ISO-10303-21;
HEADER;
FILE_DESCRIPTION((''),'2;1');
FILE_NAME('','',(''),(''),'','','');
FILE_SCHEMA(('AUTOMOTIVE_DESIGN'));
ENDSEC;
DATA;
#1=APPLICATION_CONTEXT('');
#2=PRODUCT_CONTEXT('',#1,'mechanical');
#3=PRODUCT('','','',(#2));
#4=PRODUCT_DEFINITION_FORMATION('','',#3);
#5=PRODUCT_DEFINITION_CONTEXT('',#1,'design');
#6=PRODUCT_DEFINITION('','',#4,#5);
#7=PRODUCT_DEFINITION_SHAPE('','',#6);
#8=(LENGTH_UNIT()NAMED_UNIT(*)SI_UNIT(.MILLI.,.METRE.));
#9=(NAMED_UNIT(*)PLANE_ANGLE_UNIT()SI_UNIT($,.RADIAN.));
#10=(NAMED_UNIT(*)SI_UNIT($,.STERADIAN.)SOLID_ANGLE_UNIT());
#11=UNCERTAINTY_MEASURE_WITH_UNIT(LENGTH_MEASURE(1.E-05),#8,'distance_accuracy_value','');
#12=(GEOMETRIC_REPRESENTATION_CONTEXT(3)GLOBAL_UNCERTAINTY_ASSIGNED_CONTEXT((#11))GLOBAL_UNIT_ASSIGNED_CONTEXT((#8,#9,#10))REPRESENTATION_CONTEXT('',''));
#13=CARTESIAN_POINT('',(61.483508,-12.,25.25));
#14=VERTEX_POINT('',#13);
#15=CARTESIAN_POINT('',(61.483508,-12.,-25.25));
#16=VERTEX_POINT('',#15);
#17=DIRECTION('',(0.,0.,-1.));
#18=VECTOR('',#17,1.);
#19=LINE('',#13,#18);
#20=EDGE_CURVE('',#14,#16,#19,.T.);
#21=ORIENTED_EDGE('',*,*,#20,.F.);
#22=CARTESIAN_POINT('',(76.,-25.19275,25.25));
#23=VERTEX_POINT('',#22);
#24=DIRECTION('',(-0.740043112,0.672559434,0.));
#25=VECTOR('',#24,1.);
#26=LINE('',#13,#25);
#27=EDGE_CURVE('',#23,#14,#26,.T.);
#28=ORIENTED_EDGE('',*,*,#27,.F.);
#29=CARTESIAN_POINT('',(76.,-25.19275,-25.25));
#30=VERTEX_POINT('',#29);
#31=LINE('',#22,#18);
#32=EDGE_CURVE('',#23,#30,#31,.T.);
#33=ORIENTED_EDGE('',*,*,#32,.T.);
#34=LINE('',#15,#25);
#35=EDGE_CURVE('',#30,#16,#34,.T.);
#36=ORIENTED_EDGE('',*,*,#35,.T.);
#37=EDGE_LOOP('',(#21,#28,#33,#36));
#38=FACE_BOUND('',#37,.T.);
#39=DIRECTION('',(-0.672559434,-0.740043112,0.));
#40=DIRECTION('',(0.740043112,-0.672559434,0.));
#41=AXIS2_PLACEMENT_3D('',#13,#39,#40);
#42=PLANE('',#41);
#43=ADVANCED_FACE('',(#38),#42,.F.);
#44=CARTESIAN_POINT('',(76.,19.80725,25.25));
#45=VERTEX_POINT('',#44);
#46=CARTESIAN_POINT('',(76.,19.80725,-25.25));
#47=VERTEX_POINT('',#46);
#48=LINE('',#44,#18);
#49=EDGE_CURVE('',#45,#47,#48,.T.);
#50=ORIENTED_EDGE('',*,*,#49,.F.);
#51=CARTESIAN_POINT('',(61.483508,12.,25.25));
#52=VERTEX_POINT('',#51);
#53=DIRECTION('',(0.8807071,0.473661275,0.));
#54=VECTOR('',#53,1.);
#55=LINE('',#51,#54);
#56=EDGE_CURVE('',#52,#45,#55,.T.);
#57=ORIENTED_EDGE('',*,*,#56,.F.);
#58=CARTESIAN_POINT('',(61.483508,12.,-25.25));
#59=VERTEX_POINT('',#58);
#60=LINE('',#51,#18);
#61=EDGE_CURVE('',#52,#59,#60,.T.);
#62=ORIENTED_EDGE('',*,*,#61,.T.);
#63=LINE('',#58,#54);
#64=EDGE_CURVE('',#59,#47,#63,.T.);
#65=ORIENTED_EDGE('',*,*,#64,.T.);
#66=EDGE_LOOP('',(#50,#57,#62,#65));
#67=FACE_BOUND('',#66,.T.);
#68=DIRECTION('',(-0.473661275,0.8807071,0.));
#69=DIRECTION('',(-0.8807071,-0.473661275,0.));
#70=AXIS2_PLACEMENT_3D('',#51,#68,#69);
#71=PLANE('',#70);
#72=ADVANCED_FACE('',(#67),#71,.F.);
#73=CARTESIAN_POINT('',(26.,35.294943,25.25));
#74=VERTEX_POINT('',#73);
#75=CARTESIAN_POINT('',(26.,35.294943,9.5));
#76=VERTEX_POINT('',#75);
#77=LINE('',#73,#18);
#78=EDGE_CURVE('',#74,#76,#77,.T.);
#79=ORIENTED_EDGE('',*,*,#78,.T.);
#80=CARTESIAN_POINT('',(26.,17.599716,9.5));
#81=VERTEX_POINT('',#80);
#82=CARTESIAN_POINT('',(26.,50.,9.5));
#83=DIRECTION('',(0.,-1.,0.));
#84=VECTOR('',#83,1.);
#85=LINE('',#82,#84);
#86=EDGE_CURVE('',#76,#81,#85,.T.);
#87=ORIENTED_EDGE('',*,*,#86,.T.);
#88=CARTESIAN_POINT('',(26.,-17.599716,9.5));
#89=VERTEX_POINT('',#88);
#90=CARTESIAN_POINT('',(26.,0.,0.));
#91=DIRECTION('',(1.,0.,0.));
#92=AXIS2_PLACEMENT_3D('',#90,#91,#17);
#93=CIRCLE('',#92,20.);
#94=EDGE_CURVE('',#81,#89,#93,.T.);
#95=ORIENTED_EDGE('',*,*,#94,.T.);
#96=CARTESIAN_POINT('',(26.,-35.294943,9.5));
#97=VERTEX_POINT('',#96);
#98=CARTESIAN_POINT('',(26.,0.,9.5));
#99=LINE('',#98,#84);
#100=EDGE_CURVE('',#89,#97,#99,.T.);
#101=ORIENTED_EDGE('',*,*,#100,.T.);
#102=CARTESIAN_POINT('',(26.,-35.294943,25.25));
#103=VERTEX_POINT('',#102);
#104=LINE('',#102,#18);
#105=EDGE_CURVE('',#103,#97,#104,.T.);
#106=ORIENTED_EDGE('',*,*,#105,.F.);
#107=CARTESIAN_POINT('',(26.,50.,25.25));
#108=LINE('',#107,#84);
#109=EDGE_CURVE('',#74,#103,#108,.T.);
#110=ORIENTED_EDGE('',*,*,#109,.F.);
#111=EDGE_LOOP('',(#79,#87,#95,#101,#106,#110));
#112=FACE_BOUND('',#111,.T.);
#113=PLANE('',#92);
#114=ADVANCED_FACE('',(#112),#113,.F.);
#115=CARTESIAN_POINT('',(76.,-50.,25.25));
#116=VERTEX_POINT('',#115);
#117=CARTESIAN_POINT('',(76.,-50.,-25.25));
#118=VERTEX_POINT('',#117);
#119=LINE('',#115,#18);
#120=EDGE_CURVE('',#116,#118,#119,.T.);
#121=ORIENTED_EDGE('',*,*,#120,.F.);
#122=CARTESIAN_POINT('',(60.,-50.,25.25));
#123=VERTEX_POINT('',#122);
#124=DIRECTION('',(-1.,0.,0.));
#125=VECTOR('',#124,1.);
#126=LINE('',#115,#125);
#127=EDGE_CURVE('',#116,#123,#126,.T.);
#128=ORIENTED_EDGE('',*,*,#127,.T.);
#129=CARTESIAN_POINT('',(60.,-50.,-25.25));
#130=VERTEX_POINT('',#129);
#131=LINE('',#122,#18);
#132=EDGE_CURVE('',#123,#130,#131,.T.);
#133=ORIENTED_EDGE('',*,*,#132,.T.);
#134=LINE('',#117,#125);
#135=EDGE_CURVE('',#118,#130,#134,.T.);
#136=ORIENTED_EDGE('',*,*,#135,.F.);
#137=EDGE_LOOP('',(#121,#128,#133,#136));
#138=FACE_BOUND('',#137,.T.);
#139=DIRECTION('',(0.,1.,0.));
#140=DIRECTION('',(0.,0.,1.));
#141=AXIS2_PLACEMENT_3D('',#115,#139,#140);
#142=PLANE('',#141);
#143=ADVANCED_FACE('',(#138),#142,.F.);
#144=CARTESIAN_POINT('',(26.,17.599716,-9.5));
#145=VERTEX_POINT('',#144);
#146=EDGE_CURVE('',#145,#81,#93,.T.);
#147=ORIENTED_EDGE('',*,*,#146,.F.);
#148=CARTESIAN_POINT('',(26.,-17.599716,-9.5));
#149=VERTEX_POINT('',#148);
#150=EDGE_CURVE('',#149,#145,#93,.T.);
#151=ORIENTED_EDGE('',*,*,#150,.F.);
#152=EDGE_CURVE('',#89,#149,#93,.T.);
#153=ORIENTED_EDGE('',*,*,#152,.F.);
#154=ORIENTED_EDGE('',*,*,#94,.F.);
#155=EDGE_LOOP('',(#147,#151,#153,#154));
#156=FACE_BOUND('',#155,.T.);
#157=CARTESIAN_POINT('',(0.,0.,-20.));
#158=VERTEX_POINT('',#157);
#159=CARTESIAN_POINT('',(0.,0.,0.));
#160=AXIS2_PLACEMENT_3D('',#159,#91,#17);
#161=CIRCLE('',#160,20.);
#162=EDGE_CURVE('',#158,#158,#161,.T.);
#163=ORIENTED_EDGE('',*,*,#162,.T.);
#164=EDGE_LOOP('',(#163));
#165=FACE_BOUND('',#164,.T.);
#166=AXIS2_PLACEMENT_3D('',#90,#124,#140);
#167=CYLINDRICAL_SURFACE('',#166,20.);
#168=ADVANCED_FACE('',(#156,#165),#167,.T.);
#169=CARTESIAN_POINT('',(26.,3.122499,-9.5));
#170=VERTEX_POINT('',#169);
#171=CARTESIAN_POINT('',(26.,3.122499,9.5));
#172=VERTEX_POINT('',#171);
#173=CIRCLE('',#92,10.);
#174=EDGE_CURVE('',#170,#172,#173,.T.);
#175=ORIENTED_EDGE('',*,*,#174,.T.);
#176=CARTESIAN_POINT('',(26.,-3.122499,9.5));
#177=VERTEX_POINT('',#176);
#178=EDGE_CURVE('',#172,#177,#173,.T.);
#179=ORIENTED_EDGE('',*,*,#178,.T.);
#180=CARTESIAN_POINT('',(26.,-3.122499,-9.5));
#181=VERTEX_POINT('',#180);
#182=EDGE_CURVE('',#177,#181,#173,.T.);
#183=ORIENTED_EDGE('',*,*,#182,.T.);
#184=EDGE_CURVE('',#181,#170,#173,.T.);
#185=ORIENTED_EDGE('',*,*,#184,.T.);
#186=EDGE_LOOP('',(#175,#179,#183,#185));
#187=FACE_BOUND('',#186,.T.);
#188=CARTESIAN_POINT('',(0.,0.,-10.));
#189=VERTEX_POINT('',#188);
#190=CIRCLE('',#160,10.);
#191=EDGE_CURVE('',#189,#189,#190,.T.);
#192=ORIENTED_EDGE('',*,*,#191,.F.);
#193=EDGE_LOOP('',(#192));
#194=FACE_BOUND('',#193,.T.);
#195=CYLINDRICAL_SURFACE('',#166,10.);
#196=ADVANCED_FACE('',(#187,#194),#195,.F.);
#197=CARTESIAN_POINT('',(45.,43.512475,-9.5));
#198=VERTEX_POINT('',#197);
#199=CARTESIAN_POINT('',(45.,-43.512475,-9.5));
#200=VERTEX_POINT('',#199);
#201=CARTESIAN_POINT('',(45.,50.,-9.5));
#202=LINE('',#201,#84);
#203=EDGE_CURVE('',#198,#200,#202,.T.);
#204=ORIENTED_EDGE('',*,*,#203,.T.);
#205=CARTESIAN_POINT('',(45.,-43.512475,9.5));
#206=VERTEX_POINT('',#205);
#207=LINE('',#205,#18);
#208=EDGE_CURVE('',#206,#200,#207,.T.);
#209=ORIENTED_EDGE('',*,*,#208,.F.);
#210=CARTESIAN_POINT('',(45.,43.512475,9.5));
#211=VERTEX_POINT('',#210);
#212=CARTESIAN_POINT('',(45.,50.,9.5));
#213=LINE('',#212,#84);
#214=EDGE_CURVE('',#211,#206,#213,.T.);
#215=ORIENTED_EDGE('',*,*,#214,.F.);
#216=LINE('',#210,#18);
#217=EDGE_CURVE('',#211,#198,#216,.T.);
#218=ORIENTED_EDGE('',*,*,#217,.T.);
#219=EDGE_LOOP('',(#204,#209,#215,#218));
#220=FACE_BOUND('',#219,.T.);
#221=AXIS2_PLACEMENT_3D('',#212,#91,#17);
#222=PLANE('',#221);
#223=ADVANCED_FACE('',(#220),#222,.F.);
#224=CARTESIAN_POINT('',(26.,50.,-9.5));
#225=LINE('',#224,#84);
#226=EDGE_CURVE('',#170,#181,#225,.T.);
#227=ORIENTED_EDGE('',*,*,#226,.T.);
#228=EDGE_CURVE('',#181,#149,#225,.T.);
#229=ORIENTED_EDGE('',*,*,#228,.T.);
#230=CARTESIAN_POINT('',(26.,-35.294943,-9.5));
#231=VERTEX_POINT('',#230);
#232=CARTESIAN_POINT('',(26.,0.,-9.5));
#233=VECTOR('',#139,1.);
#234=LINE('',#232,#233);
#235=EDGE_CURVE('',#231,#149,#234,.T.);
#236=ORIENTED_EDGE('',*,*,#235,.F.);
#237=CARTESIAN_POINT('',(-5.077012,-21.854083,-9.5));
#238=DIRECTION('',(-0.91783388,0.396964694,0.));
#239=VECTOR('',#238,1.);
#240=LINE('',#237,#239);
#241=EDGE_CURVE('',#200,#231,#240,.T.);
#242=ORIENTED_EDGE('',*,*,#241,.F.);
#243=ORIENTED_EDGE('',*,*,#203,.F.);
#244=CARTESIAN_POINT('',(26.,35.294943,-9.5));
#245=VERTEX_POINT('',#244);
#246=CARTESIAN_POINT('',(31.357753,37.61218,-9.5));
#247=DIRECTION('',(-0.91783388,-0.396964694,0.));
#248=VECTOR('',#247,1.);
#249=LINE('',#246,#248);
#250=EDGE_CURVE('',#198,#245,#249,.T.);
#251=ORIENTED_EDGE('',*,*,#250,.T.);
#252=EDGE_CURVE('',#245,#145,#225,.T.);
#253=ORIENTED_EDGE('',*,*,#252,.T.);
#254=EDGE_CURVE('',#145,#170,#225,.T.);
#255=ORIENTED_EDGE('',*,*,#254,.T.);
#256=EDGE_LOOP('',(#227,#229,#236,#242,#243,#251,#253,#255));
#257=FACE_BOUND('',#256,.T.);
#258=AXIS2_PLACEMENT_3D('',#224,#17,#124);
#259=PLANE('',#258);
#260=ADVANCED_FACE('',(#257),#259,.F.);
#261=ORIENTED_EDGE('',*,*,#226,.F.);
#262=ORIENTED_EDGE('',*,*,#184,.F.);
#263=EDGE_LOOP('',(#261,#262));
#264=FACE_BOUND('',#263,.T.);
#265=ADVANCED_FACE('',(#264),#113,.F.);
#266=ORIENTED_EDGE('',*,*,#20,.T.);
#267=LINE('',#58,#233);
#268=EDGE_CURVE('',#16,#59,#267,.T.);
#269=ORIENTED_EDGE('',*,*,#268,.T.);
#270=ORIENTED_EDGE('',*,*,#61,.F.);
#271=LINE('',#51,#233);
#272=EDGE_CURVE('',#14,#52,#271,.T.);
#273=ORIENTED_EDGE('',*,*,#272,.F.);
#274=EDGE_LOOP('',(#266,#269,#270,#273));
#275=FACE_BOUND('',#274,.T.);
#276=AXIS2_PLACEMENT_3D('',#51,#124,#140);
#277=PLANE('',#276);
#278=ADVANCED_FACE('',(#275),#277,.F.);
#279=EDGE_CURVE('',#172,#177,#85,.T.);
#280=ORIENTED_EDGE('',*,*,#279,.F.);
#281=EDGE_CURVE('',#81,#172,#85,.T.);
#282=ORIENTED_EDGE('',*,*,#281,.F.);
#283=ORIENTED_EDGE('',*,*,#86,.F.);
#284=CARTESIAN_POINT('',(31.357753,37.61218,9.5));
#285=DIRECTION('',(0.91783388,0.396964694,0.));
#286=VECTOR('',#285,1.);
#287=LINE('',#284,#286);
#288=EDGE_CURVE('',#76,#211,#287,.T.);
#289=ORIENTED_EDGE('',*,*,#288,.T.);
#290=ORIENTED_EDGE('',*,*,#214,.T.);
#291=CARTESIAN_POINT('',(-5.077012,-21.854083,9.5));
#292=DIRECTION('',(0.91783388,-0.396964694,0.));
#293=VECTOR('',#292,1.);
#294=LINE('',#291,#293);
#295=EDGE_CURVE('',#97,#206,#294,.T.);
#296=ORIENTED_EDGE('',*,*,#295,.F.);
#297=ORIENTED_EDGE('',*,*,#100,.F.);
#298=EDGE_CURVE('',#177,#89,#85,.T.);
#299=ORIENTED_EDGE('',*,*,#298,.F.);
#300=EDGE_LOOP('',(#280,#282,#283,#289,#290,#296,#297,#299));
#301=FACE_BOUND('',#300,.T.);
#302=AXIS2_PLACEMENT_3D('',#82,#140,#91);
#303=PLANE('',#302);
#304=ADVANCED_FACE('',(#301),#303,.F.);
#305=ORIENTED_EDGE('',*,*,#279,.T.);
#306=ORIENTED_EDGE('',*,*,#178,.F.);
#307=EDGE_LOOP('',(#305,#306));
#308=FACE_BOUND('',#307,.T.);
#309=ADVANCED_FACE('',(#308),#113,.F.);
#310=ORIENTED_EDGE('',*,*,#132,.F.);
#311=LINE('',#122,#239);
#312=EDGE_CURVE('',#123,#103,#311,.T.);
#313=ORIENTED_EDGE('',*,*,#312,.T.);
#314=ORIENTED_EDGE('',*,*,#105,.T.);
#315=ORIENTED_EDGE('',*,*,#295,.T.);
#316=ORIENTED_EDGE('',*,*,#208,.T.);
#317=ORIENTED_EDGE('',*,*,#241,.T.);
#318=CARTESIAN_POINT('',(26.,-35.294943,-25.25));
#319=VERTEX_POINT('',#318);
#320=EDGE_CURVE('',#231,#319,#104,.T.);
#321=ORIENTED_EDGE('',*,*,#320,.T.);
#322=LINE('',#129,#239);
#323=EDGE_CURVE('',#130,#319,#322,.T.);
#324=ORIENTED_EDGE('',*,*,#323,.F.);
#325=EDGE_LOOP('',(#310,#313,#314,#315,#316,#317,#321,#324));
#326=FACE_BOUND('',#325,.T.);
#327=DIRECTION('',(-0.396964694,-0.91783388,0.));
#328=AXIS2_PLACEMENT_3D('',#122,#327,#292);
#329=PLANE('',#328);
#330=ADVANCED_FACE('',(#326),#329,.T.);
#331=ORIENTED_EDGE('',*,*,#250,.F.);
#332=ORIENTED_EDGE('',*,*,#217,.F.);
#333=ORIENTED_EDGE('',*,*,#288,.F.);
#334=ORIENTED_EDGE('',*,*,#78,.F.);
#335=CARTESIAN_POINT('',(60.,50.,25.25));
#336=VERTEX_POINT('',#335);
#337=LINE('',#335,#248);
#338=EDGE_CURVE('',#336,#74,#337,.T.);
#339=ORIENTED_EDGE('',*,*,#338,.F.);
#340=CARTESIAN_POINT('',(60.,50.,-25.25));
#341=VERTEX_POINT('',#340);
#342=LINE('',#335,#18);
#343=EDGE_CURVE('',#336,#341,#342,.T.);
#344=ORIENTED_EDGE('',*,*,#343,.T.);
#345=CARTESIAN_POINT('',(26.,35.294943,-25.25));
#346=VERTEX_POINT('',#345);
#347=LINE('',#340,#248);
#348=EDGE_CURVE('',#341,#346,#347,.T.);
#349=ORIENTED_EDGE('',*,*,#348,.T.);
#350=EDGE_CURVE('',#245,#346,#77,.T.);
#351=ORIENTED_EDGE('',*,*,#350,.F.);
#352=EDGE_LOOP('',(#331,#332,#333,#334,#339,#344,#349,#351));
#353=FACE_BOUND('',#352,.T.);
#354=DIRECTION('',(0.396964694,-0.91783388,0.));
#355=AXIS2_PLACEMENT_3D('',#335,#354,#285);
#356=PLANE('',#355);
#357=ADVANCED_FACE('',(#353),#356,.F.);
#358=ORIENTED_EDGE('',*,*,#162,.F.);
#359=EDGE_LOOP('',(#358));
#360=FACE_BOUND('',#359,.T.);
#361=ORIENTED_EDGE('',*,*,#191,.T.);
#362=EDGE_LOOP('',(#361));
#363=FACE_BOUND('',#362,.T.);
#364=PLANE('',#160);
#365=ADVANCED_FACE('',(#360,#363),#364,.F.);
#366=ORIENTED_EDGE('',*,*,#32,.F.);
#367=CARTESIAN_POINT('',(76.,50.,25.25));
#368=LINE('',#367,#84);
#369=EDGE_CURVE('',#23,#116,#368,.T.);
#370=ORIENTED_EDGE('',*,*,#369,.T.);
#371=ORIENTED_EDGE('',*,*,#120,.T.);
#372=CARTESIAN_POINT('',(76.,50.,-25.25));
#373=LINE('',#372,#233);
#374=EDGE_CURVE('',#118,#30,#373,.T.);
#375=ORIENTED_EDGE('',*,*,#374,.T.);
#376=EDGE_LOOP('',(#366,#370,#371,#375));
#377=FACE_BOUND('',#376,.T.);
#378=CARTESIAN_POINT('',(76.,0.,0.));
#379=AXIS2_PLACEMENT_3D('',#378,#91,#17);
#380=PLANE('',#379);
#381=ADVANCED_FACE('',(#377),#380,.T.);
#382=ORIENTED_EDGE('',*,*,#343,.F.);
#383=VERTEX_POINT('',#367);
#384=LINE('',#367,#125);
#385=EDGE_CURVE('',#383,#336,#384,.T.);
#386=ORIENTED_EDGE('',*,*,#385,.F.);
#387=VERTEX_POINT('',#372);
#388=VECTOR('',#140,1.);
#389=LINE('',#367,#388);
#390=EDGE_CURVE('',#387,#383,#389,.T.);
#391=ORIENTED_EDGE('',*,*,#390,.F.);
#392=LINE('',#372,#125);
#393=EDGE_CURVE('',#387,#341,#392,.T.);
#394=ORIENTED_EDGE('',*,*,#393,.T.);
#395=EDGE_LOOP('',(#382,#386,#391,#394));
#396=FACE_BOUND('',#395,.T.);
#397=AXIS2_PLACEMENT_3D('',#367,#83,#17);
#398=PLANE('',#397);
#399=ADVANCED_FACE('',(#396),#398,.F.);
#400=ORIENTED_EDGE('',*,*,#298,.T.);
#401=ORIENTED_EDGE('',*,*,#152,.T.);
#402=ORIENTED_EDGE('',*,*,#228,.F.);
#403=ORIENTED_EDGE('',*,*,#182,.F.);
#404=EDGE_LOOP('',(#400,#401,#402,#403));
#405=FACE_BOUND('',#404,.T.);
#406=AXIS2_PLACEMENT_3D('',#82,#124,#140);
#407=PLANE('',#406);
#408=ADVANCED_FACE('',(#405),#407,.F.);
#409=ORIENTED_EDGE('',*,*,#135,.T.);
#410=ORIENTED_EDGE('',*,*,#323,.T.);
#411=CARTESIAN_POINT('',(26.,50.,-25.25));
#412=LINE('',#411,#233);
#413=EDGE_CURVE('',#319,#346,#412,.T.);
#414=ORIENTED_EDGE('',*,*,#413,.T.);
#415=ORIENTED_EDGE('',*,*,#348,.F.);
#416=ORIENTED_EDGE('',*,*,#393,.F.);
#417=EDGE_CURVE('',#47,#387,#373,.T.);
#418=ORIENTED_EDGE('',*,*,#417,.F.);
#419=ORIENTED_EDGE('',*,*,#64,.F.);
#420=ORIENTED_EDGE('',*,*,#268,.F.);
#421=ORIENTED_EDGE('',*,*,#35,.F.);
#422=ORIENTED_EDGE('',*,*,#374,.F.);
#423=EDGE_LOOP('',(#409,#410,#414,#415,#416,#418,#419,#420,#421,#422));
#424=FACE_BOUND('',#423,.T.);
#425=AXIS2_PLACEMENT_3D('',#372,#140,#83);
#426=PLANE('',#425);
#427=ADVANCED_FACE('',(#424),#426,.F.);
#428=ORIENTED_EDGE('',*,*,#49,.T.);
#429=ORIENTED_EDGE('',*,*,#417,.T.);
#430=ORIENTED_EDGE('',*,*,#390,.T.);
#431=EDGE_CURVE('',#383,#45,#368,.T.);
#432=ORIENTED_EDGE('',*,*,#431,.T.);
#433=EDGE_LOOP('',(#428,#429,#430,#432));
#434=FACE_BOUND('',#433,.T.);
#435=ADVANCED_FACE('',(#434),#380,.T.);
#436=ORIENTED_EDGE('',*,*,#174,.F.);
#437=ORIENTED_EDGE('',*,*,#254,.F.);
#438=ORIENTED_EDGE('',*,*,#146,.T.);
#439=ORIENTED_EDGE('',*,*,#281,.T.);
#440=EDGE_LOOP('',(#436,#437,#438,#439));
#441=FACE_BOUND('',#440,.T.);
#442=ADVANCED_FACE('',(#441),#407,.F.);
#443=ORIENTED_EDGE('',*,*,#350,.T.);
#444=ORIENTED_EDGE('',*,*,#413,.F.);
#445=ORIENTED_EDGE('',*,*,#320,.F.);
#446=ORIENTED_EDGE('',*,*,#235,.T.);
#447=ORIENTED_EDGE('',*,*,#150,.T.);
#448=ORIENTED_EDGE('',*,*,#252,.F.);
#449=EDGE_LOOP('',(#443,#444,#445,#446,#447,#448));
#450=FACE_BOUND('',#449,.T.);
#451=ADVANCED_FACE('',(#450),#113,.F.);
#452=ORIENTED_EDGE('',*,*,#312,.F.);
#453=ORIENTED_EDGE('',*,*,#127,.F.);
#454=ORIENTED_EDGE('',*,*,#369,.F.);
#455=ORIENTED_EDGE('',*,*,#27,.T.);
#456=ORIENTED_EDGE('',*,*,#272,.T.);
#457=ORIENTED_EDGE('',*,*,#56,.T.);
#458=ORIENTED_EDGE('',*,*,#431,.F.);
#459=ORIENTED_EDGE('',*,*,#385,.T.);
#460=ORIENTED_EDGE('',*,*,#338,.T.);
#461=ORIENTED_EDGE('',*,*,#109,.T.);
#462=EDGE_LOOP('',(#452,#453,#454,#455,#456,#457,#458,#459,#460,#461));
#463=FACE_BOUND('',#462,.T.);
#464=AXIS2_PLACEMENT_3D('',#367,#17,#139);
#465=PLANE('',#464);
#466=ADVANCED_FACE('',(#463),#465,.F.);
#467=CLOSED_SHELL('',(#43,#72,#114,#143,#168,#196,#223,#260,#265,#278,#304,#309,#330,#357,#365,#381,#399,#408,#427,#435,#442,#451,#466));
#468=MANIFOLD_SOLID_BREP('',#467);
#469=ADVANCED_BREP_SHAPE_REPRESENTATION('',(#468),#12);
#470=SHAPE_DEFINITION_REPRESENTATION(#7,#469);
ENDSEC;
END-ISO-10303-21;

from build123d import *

# Parameters (mm, degrees)
SKETCH2_R           = 20
SKETCH2_R_2         = 10
BOSS_EXTRUDE1_DEPTH = 26
SKETCH3_W           = 50.5
SKETCH3_H           = 100
BOSS_EXTRUDE2_DEPTH = 50
SKETCH6_W           = 19
SKETCH6_H           = 19
CUT_EXTRUDE1_DEPTH  = 129.115426472
CUT_EXTRUDE5_DEPTH  = 105.049267177
CUT_EXTRUDE6_DEPTH  = 105.049267177


with BuildPart() as part:
    # Sketch2 → Boss-Extrude1 (new body)
    with BuildSketch(Plane(origin=(0, 0, 0), x_dir=(0, 0, -1), z_dir=(1, 0, 0))):
        with Locations(Location((0, 0, 0), (0, 0, 180))):
            Circle(SKETCH2_R)
        with Locations(Location((0, 0, 0), (0, 0, 180))):
            Circle(SKETCH2_R_2, mode=Mode.SUBTRACT)
    extrude(amount=BOSS_EXTRUDE1_DEPTH)

    # Sketch3 → Boss-Extrude2 (add)
    with BuildSketch(Plane(origin=(26, 0, 0), x_dir=(0, 0, -1), z_dir=(1, 0, 0))):
        Rectangle(SKETCH3_W, SKETCH3_H)
    extrude(amount=BOSS_EXTRUDE2_DEPTH)

    # Sketch6 → Cut-Extrude1 (cut, through all)
    with BuildSketch(Plane.XZ.offset(50)):
        with Locations((35.5, 0)):
            Rectangle(SKETCH6_W, SKETCH6_H)
    extrude(amount=-CUT_EXTRUDE1_DEPTH, mode=Mode.SUBTRACT)

    # Sketch7 → Cut-Extrude5 (cut, through all)
    with BuildSketch(Plane(origin=(0, 0, -25.25), x_dir=(-1, 0, 0), z_dir=(0, 0, -1))):
        Polygon((-60, 50), (-26, 50), (-26, 35.294942904), align=None)
        Polygon((-60, -50), (-26, -35.294942904), (-26, -50), align=None)
    extrude(amount=-CUT_EXTRUDE5_DEPTH, mode=Mode.SUBTRACT)

    # Sketch9 → Cut-Extrude6 (cut, through all)
    with BuildSketch(Plane(origin=(0, 0, -25.25), x_dir=(-1, 0, 0), z_dir=(0, 0, -1))):
        Polygon((-76, 19.807249774), (-76, -25.192750226), (-61.483507586, -12), (-61.483507586, 12), align=None)
    extrude(amount=-CUT_EXTRUDE6_DEPTH, mode=Mode.SUBTRACT)


solid = part.part
